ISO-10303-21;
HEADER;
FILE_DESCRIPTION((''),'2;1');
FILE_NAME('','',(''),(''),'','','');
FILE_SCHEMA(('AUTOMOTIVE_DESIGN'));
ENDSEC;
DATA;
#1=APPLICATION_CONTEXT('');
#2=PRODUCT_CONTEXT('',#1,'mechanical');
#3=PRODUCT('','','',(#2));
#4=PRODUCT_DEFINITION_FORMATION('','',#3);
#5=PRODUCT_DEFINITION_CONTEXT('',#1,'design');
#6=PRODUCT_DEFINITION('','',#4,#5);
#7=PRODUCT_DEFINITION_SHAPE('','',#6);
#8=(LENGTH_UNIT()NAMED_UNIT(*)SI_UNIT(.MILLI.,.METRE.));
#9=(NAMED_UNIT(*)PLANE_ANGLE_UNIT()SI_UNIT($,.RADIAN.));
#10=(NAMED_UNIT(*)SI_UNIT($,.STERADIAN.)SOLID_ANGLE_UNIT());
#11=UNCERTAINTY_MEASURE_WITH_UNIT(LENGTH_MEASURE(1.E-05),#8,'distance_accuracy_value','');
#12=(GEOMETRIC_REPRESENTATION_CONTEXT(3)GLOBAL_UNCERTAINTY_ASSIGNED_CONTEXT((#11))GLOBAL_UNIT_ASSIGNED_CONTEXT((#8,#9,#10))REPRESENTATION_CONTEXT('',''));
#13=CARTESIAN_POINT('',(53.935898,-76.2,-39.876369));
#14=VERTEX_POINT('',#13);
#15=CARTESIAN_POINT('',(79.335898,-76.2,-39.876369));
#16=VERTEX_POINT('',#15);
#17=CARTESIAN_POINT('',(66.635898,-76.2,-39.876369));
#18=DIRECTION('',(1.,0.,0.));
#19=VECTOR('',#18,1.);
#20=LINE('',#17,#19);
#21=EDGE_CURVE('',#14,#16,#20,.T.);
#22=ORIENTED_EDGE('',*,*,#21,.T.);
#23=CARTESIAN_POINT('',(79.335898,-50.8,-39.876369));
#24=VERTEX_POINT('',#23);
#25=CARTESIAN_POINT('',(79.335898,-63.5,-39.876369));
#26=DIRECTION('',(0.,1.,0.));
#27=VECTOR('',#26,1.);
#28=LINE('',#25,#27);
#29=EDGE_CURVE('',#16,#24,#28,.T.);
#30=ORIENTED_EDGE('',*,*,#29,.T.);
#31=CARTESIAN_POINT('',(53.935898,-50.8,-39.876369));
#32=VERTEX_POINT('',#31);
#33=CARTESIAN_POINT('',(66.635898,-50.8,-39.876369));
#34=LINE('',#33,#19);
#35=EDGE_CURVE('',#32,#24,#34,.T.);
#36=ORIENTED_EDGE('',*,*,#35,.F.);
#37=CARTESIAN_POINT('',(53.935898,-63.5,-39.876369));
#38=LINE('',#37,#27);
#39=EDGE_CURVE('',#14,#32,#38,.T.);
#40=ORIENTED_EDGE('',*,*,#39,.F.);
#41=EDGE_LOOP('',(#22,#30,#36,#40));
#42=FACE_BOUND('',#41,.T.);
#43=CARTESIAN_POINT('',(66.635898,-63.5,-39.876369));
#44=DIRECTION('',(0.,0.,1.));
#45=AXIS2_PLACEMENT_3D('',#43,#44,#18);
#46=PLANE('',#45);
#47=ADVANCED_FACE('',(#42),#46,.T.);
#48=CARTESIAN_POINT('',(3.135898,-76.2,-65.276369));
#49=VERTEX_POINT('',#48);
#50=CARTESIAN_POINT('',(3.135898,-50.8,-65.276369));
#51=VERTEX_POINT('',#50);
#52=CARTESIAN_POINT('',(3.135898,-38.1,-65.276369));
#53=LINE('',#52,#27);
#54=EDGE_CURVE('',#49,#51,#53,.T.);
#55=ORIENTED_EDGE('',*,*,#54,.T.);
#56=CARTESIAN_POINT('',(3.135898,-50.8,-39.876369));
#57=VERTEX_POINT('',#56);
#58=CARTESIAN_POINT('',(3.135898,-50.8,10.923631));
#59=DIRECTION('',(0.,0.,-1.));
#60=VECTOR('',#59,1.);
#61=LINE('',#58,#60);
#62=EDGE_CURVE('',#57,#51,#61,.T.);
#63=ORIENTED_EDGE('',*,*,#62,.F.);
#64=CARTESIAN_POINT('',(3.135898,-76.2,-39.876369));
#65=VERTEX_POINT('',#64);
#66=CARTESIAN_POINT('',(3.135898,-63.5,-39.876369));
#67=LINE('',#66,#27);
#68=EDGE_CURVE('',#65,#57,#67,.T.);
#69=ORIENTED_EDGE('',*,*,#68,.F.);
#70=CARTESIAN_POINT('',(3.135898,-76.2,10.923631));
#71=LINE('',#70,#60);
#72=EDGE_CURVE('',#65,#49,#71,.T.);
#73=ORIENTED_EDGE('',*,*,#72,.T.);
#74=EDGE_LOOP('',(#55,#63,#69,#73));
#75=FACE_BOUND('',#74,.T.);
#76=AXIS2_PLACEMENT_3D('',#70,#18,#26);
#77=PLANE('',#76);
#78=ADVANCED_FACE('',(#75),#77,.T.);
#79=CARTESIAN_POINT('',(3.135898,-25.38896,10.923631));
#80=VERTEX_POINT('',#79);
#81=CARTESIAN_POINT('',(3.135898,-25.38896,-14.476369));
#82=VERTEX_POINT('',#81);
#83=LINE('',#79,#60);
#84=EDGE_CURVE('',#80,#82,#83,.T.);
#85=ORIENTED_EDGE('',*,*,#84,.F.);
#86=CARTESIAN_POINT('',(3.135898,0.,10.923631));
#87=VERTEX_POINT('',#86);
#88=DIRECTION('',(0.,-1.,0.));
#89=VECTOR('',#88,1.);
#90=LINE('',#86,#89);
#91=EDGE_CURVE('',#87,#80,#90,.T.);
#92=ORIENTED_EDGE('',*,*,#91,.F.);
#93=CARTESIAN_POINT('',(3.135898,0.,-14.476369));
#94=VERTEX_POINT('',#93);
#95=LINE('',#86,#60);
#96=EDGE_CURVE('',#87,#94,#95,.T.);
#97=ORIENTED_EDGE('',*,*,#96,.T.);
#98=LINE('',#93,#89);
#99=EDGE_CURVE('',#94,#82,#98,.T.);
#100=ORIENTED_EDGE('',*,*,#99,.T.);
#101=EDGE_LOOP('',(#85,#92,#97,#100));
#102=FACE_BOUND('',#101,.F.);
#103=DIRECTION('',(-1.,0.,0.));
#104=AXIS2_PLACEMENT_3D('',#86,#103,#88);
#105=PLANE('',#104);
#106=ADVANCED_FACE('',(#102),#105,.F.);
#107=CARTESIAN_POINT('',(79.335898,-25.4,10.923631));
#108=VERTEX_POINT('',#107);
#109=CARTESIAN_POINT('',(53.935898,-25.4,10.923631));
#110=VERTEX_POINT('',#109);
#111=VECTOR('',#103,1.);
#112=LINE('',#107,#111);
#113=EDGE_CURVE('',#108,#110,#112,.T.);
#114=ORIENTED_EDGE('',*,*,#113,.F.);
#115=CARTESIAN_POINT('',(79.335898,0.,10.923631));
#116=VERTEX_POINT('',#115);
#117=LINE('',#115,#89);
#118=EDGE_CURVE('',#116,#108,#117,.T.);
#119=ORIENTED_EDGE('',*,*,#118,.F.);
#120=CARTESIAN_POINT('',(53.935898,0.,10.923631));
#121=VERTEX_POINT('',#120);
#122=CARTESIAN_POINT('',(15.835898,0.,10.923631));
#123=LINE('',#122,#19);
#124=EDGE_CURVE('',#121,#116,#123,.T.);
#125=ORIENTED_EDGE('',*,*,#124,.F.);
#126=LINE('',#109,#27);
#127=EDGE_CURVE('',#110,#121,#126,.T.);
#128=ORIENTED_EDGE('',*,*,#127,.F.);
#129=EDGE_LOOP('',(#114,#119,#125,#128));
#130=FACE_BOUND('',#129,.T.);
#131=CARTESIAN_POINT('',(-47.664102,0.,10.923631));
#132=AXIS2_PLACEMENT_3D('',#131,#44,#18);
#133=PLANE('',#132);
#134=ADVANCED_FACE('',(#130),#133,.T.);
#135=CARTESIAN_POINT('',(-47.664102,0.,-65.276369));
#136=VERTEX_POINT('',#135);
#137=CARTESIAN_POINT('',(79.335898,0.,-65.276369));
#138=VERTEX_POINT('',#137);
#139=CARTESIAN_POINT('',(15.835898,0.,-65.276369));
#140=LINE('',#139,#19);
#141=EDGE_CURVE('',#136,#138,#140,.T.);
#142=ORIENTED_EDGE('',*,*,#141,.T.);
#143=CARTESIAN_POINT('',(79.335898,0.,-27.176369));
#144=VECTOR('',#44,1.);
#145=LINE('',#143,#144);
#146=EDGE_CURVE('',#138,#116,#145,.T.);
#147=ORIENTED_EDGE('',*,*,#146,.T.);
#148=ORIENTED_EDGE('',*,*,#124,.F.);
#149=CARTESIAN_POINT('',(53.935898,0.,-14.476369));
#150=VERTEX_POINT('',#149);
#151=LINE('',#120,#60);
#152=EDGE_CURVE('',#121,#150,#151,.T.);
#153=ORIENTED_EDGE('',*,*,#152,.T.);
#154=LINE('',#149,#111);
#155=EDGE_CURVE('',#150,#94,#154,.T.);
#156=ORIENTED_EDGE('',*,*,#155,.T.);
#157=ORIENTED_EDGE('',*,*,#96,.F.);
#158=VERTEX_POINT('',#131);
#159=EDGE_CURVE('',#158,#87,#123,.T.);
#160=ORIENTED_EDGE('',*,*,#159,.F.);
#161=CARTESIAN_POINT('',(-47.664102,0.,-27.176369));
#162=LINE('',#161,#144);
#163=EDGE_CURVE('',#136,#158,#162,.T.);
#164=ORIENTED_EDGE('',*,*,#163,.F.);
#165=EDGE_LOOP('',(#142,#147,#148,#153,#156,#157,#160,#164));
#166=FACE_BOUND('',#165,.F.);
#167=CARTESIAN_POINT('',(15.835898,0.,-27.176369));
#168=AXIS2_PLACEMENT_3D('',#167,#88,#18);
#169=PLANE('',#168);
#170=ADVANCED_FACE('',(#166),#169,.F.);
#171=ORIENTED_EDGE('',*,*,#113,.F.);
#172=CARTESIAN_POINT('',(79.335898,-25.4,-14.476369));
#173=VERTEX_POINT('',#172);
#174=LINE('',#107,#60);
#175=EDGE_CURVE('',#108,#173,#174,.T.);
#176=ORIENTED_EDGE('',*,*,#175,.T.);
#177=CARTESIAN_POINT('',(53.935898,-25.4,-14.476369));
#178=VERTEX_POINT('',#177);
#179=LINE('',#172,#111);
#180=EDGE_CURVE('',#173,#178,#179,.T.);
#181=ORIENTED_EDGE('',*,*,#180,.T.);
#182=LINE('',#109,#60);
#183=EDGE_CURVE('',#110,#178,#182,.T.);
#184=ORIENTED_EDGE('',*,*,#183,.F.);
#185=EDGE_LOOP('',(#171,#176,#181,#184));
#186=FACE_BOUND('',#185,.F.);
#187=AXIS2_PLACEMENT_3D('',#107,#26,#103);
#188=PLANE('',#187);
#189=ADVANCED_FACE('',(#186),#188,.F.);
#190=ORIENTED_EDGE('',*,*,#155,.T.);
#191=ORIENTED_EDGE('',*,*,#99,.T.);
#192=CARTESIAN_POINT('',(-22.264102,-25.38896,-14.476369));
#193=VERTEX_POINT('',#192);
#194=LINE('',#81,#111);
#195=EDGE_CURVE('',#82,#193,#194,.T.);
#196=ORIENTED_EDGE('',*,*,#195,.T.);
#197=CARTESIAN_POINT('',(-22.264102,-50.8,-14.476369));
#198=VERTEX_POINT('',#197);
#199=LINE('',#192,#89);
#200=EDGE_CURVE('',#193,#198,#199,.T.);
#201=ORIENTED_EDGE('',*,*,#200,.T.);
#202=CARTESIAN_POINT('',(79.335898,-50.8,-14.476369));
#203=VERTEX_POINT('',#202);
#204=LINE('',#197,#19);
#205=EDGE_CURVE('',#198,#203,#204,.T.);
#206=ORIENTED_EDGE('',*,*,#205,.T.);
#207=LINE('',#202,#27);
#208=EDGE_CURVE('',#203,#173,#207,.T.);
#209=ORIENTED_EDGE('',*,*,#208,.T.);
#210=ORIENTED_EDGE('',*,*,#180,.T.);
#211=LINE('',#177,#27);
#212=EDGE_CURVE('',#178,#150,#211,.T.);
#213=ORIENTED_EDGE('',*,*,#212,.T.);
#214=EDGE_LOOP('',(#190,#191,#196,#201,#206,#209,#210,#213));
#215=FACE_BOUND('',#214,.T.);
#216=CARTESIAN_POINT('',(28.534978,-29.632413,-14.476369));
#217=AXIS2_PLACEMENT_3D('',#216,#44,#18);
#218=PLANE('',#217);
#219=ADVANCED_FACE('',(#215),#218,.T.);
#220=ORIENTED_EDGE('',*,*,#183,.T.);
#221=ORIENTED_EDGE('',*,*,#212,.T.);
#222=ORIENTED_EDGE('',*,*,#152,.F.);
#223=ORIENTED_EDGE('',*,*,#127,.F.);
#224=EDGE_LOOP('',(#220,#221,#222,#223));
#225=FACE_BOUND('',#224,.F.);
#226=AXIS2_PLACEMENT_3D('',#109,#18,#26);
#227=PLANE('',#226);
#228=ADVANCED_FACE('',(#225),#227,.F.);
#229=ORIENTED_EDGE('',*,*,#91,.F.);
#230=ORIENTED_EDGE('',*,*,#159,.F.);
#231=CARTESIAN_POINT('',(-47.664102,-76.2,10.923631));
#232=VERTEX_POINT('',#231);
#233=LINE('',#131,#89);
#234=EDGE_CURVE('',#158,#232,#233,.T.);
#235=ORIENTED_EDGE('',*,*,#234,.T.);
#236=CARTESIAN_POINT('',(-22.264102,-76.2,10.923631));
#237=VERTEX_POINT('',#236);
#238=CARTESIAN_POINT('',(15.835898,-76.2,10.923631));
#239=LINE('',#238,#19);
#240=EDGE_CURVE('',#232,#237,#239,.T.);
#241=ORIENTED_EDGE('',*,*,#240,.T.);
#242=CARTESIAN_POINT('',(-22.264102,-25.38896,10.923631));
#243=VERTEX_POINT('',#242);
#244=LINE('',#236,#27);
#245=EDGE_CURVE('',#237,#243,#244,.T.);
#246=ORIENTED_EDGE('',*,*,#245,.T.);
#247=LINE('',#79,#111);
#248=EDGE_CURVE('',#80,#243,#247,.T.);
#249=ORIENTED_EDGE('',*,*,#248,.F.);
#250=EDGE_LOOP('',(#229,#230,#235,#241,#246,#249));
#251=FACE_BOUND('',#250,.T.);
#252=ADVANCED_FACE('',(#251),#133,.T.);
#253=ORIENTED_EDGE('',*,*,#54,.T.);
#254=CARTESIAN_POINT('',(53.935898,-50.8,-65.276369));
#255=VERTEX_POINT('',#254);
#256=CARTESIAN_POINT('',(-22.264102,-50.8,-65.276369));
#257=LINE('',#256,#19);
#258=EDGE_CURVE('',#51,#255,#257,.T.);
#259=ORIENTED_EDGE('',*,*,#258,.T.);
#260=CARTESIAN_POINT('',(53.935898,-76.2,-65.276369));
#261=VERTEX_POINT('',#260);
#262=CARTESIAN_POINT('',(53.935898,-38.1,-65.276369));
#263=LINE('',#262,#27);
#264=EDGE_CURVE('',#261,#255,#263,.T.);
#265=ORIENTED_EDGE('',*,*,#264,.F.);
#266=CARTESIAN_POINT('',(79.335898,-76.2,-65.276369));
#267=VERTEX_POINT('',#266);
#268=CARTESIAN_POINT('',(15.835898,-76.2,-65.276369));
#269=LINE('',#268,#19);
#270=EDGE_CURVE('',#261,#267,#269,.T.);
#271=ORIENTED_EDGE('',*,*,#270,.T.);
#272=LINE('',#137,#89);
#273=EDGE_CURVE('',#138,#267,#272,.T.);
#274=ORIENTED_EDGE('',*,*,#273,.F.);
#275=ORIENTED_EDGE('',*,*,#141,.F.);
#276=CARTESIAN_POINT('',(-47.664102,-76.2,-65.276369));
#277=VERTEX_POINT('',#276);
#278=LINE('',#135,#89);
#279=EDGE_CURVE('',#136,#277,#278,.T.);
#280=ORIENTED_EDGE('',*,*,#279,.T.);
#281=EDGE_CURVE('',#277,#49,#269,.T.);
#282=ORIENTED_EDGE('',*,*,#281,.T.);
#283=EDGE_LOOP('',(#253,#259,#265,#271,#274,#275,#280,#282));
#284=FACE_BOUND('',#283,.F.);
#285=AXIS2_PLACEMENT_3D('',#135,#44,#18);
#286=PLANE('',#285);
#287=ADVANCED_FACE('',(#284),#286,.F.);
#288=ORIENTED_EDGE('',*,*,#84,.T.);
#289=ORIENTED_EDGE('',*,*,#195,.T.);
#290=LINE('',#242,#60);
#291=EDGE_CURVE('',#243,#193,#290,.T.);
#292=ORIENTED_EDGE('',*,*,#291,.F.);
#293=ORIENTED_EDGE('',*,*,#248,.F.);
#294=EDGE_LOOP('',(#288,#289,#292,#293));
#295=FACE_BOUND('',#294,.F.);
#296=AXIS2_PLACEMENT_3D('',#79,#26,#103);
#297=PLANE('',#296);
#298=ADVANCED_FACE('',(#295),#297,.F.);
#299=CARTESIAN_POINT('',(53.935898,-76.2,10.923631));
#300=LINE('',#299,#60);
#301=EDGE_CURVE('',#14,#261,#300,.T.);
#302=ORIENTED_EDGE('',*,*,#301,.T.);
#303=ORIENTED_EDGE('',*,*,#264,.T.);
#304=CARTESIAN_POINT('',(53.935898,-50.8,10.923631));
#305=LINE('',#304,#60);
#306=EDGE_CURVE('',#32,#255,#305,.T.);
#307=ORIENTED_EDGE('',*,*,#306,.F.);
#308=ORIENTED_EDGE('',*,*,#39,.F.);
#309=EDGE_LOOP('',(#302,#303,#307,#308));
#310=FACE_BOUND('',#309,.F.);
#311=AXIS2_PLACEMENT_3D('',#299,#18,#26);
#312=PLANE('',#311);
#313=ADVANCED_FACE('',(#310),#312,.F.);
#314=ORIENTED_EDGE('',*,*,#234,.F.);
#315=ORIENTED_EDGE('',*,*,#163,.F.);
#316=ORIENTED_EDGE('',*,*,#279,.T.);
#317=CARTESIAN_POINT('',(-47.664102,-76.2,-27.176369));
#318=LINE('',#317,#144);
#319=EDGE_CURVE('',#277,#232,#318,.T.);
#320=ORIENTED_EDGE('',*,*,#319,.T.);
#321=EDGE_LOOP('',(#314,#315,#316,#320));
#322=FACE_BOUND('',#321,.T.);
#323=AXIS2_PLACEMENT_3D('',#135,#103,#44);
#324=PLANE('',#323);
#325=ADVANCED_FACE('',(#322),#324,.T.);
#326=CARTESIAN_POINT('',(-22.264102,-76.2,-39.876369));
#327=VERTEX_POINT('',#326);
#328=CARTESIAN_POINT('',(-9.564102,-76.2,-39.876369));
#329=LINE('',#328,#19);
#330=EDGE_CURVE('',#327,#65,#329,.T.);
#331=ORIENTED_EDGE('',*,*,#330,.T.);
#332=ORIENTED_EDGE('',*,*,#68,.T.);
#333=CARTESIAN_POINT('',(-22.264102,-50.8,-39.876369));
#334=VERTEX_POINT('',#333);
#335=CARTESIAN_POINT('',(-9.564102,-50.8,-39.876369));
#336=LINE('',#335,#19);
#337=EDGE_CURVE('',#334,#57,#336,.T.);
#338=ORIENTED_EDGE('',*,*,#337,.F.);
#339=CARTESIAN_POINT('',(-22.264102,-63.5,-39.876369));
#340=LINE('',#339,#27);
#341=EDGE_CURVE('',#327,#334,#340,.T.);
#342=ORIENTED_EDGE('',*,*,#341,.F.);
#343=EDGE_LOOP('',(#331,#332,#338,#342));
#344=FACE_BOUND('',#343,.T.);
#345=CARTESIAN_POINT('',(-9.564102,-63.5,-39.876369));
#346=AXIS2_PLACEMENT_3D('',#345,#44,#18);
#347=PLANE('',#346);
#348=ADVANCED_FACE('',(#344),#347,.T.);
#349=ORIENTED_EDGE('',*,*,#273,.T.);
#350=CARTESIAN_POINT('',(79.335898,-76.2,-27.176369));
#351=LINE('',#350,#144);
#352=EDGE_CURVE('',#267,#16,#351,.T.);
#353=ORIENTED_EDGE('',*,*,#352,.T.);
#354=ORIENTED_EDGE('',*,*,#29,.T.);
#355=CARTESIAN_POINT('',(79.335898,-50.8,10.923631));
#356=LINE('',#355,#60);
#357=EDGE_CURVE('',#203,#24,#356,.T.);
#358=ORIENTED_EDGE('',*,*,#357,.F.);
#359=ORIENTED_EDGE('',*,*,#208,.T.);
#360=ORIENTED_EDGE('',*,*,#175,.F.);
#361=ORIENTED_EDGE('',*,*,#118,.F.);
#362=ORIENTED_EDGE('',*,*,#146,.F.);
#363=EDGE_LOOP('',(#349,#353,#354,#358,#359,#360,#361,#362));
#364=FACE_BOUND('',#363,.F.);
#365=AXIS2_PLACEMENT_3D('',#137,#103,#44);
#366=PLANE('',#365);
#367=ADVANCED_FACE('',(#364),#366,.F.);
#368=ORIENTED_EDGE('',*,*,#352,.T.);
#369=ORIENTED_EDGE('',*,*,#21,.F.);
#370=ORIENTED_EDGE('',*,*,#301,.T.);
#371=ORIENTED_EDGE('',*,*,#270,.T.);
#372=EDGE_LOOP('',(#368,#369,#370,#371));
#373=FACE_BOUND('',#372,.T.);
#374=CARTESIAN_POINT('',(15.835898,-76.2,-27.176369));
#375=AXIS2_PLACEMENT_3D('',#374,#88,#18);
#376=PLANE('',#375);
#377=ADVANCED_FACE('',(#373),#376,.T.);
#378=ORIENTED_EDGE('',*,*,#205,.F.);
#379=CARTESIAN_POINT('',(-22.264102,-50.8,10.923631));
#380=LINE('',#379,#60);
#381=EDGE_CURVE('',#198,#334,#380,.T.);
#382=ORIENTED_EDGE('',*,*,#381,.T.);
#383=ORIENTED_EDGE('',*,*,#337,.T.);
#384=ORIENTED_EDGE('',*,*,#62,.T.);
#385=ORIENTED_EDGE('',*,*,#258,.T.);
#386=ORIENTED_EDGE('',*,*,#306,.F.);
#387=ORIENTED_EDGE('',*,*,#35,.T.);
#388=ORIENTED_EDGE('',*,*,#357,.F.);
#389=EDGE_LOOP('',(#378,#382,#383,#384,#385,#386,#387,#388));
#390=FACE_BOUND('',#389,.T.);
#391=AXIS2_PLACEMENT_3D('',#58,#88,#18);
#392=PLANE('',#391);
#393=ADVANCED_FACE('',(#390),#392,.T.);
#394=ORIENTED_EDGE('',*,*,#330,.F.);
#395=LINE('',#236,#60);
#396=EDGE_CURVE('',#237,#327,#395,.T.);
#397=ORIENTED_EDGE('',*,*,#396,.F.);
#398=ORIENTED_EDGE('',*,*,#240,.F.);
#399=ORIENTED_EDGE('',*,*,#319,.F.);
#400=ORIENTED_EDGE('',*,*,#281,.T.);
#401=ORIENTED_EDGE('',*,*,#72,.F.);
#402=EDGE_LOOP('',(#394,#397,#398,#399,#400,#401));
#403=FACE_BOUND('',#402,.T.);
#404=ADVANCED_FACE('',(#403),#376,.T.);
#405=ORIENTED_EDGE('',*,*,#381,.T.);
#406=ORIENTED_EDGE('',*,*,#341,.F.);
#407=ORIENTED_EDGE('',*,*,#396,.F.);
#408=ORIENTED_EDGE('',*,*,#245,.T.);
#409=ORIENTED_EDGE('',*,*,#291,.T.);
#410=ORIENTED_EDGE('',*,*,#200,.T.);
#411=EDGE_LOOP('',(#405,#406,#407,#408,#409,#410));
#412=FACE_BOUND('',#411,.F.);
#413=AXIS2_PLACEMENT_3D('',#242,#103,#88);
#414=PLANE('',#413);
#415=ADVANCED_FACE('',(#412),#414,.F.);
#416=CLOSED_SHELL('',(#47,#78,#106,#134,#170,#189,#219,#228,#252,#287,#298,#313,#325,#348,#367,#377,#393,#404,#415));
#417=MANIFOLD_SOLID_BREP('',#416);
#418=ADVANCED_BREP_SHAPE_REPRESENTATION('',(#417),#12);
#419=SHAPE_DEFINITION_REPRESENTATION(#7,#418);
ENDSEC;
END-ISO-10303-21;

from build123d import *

# Parameters (mm, degrees)
F0_W     = 127
F0_H     = 76.2
F1_DEPTH = 76.2
F2_W     = 50.8
F2_H     = 25.4
F3_DEPTH = 86.868
F2_W_2   = 25.4
F4_DEPTH = 50.8
F5_DEPTH = 25.4


with BuildPart() as f1:
    # F0 (on Front) → F1 (new body)
    with BuildSketch(Plane.XZ):
        with Locations((15.835898, -27.176369)):
            Rectangle(F0_W, F0_H)
    extrude(amount=F1_DEPTH)

    # F2 (on face) → F3 (cut)
    with BuildSketch(Plane.XY.offset(10.923631)):
        with Locations((28.535898, -63.5)):
            Rectangle(F2_W, F2_H)
    extrude(amount=-F3_DEPTH, mode=Mode.SUBTRACT)

    # F2 (on face) → F4 (cut)
    with BuildSketch(Plane.XY.offset(10.923631)):
        with Locations((-9.564102, -63.5)):
            Rectangle(F2_W_2, F2_H)
        with Locations((66.635898, -63.5)):
            Rectangle(F2_W_2, F2_H)
    extrude(amount=-F4_DEPTH, mode=Mode.SUBTRACT)

    # F2 (on face) → F5 (cut)
    with BuildSketch(Plane.XY.offset(10.923631)):
        Polygon((53.935898, -25.4), (53.935898, 0), (3.135898, 0), (3.135898, -25.38896), (-22.264102, -25.38896), (-22.264102, -50.8), (3.135898, -50.8), (53.935898, -50.8), (79.335898, -50.8), (79.335898, -25.4), align=None)
    extrude(amount=-F5_DEPTH, mode=Mode.SUBTRACT)


solid = f1.part
